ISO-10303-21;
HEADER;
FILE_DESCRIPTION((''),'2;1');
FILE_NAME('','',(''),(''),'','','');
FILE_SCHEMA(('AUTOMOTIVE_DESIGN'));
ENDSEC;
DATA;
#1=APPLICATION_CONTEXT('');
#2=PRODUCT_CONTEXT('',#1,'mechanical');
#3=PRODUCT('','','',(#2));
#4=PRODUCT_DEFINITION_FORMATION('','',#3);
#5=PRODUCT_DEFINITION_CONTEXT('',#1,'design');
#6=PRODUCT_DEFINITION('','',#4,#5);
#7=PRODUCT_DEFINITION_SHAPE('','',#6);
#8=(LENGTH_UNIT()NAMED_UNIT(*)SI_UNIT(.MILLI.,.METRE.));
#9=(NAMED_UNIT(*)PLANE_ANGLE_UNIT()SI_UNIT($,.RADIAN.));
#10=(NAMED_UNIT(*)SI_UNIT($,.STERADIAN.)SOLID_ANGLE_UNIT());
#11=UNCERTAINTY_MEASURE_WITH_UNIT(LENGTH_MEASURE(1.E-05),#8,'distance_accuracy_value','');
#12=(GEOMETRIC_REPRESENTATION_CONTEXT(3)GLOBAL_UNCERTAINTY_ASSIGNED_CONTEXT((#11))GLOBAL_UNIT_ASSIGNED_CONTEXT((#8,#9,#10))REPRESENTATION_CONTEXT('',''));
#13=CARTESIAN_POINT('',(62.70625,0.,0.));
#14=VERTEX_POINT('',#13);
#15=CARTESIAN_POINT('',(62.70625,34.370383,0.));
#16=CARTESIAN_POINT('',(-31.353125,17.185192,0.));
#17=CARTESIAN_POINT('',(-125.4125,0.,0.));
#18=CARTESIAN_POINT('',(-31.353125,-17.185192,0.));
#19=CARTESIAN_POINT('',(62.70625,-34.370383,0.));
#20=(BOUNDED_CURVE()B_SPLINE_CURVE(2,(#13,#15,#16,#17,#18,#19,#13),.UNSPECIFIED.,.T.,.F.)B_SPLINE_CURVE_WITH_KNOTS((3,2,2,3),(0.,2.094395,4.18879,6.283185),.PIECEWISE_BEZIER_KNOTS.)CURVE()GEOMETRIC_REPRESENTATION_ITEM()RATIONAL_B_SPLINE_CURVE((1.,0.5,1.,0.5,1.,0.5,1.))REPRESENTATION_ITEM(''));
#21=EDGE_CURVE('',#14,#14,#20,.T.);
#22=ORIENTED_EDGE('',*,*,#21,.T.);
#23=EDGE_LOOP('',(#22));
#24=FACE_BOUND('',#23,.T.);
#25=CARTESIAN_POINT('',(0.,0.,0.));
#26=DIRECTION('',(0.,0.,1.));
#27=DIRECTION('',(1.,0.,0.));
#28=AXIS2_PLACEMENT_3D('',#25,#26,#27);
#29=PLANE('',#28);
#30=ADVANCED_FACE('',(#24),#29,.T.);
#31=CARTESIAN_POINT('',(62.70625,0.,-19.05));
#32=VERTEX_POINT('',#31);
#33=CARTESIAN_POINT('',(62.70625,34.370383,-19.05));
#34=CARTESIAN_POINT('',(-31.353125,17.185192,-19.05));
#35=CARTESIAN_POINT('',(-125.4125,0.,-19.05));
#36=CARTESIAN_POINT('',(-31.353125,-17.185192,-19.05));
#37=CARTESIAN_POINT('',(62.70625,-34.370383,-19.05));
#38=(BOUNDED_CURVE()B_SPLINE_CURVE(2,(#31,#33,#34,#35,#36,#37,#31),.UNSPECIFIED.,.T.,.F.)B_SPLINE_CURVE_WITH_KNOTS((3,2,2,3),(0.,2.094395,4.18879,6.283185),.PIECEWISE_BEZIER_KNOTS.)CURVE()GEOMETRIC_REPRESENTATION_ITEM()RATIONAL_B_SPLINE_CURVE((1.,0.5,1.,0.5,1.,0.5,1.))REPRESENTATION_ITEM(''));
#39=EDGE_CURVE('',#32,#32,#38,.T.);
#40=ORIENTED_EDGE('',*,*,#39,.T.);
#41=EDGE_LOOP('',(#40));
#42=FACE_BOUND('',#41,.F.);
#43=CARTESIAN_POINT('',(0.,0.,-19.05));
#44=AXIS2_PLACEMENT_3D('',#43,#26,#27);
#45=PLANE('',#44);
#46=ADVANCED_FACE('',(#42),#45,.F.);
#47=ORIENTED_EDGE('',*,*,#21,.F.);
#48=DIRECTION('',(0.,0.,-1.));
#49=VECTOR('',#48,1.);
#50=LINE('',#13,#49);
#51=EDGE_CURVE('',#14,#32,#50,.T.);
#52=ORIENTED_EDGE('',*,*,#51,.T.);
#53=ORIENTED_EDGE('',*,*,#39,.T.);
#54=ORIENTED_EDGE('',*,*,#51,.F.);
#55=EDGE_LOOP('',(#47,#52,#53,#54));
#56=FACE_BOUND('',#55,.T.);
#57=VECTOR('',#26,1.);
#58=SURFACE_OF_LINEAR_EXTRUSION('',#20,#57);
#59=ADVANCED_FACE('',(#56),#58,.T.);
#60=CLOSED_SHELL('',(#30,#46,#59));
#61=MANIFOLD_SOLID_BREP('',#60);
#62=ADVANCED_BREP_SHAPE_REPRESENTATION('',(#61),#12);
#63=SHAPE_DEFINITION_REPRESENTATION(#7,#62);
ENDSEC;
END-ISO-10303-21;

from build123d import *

# Parameters (mm, degrees)
F1_DEPTH = 19.05


with BuildPart() as f1:
    # F0 (on Top) → F1 (new body)
    with BuildSketch(Plane.XY):
        with BuildLine():
            add(Edge.make_bspline(
                [(62.70625, 0), (62.70625, 34.370383), (-31.353125, 17.185192), (-125.4125, 0), (-31.353125, -17.185192), (62.70625, -34.370383), (62.70625, 0)],
                knots=[0, 0, 0, 2.094395, 2.094395, 4.18879, 4.18879, 6.283185, 6.283185, 6.283185], degree=2, weights=[1, 0.5, 1, 0.5, 1, 0.5, 1]))
        make_face()
        with BuildLine():
            add(Edge.make_bspline(
                [(61.11875, 0), (61.11875, 32.858086), (-30.559375, 16.429043), (-122.2375, 0), (-30.559375, -16.429043), (61.11875, -32.858086), (61.11875, 0)],
                knots=[0, 0, 0, 2.094395, 2.094395, 4.18879, 4.18879, 6.283185, 6.283185, 6.283185], degree=2, weights=[1, 0.5, 1, 0.5, 1, 0.5, 1]))
        make_face(mode=Mode.SUBTRACT)
        with BuildLine():
            add(Edge.make_bspline(
                [(61.11875, 0), (61.11875, 32.858086), (-30.559375, 16.429043), (-122.2375, 0), (-30.559375, -16.429043), (61.11875, -32.858086), (61.11875, 0)],
                knots=[0, 0, 0, 2.094395, 2.094395, 4.18879, 4.18879, 6.283185, 6.283185, 6.283185], degree=2, weights=[1, 0.5, 1, 0.5, 1, 0.5, 1]))
        make_face()
    extrude(amount=-F1_DEPTH)


solid = f1.part
